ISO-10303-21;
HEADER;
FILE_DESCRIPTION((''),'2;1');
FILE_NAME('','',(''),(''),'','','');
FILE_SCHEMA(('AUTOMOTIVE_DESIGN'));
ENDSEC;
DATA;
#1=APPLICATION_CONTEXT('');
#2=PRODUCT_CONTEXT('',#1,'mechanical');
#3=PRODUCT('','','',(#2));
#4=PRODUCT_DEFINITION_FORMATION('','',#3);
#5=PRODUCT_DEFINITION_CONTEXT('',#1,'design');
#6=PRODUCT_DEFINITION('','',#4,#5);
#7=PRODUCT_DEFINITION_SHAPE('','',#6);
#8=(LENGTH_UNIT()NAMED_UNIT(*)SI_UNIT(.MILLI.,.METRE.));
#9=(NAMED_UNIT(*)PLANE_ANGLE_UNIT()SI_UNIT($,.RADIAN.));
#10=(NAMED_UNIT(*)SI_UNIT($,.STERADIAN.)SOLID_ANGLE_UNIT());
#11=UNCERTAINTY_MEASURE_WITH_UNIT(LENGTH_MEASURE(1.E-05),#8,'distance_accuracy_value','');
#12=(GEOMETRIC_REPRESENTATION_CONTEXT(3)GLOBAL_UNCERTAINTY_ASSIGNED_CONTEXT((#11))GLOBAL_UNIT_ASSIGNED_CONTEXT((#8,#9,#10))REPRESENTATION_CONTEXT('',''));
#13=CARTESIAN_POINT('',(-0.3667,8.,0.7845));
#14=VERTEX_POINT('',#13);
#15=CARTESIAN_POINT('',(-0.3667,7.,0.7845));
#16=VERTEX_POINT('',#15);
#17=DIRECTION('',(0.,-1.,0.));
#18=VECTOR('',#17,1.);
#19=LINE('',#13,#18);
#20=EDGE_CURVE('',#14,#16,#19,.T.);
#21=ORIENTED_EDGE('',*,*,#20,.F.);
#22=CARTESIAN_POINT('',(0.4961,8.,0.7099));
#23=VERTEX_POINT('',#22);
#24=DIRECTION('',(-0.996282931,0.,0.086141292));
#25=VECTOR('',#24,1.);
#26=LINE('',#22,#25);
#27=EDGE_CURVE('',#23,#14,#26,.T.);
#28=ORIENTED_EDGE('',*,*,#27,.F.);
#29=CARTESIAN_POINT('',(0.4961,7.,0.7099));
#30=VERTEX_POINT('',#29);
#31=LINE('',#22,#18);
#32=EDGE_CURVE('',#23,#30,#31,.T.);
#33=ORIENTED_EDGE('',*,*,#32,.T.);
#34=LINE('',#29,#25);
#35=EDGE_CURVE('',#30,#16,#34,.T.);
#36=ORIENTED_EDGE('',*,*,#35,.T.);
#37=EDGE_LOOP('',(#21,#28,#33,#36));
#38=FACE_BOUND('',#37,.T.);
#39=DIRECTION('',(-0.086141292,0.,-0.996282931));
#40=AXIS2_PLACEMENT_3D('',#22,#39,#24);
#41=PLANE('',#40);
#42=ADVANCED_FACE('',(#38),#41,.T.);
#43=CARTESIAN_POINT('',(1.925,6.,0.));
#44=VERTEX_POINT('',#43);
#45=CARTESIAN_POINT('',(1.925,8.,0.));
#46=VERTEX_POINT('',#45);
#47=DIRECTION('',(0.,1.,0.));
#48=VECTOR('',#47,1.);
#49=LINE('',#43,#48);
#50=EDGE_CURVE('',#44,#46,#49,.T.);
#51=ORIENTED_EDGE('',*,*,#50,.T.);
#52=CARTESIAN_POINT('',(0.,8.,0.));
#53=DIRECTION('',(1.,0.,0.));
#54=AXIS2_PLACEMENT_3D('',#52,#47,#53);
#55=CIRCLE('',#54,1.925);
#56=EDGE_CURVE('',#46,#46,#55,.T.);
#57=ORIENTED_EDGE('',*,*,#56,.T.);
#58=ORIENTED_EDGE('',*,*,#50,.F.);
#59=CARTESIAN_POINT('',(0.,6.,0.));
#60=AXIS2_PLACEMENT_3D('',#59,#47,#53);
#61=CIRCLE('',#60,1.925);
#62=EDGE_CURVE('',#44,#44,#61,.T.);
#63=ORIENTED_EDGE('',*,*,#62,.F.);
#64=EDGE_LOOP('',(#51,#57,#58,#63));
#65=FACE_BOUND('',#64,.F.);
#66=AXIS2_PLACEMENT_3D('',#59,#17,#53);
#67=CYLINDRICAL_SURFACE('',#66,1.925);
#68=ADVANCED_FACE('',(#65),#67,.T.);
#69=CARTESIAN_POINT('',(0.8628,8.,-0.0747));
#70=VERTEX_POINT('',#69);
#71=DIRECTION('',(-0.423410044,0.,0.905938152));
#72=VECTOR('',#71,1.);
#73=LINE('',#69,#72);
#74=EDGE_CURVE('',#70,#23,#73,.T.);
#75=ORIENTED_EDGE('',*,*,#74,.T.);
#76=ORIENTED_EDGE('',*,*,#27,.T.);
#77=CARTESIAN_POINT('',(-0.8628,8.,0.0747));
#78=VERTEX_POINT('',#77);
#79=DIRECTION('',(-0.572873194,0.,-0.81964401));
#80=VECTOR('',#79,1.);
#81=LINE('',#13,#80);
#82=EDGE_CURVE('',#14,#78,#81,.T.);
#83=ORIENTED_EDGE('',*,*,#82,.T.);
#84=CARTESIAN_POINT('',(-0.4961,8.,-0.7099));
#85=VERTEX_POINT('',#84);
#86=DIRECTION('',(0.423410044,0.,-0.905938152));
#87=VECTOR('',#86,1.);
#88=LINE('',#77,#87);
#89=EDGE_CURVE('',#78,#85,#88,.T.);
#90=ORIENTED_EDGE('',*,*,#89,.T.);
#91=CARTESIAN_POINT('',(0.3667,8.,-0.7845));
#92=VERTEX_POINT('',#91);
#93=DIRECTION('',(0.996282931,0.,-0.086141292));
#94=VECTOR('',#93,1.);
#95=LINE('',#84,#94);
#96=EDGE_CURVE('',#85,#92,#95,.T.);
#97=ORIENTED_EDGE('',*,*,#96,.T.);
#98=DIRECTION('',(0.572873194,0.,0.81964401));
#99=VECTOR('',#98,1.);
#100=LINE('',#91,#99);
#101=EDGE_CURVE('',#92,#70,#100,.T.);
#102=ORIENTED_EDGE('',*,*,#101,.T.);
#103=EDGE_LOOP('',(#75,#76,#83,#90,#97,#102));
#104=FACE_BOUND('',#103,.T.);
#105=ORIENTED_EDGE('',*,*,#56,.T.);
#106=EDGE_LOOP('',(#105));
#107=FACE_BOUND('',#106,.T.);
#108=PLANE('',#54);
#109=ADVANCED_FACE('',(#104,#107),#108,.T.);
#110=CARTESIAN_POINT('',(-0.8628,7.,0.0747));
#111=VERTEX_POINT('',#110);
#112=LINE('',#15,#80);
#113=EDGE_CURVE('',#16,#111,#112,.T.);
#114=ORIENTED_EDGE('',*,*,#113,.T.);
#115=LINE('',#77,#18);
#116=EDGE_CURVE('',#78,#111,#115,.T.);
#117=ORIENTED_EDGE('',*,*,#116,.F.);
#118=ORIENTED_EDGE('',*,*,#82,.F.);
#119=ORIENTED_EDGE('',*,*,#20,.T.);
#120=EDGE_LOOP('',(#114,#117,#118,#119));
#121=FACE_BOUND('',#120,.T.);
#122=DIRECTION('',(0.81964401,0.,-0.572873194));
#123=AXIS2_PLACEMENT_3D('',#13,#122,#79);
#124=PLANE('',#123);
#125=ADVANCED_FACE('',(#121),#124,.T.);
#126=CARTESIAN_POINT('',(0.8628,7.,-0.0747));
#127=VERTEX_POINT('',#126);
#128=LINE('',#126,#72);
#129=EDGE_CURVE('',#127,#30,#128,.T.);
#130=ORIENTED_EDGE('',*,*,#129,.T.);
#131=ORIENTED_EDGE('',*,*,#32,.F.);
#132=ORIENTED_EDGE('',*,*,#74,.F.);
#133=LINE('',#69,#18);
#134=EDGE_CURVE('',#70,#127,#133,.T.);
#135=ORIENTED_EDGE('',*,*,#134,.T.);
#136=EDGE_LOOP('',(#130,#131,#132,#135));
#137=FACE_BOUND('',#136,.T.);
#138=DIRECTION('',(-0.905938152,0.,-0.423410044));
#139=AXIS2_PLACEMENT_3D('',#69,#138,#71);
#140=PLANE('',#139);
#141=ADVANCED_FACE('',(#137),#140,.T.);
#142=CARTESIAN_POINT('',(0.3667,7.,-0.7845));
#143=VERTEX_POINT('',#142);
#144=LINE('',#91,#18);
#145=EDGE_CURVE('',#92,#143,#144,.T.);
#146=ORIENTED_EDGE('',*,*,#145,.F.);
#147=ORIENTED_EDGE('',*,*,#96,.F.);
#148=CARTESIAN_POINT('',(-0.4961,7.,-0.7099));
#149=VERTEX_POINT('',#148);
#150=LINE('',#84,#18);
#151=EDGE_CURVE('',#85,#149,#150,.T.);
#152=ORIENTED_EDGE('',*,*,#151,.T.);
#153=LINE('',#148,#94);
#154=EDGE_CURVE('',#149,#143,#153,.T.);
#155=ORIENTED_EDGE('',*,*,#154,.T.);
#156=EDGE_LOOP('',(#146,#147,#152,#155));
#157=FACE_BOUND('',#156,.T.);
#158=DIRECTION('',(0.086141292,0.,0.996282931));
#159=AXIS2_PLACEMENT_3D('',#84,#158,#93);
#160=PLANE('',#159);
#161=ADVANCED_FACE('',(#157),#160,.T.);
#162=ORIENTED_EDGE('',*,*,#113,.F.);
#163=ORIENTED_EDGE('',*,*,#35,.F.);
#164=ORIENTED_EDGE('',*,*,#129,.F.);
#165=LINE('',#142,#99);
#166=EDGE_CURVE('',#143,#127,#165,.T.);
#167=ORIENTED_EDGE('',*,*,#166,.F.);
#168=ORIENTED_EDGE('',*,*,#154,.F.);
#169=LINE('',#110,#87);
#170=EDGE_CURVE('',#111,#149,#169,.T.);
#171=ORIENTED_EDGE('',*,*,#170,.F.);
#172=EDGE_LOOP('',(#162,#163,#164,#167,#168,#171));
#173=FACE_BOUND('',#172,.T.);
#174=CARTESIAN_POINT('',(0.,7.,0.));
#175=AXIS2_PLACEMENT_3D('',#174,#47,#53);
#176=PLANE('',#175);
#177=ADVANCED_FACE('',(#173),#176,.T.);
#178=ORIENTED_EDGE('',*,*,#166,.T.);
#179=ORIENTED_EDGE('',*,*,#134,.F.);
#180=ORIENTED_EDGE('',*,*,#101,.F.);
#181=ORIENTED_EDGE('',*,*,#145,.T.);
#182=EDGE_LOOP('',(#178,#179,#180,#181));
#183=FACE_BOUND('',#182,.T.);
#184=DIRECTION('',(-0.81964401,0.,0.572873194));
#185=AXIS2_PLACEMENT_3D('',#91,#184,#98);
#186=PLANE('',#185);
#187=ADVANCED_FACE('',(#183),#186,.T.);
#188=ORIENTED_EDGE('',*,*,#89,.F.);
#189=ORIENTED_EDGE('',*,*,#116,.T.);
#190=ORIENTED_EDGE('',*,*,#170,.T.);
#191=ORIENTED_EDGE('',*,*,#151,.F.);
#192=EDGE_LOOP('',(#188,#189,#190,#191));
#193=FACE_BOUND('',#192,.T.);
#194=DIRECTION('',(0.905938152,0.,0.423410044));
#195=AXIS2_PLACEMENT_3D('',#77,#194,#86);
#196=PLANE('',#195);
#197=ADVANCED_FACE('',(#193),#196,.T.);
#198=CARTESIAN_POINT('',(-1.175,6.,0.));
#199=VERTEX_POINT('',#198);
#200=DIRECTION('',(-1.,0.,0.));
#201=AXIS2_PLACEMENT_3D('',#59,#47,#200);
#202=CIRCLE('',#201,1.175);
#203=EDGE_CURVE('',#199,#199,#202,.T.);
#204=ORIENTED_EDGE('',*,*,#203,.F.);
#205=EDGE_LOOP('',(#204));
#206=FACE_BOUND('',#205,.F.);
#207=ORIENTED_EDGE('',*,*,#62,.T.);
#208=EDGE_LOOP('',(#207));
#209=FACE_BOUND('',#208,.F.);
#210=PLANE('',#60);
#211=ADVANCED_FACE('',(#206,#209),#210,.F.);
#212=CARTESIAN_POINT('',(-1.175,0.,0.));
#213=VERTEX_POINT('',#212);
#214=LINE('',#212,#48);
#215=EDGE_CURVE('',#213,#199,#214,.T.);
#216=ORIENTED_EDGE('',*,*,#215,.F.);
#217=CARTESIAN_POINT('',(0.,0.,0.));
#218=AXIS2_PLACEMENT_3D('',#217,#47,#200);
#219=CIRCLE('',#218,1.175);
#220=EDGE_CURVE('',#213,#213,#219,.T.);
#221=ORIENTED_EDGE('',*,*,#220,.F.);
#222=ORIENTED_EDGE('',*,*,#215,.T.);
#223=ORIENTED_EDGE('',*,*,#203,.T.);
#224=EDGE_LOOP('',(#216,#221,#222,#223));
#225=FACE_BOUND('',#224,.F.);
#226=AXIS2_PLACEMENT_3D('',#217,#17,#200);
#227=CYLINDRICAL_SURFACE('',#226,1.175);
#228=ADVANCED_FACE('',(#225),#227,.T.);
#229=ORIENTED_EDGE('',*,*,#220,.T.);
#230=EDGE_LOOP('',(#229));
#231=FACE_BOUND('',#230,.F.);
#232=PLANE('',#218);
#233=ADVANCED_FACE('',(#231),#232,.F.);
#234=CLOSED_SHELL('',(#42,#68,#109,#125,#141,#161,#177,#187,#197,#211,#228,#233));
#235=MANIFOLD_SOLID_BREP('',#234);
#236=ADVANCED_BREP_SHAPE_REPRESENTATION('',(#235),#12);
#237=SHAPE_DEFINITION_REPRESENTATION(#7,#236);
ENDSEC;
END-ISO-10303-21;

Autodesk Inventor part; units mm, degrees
ref_plane "YZ Plane" through (0, 0, 0) normal (1, 0, 0) x (0, 1, 0)
ref_plane "XZ Plane" through (0, 0, 0) normal (0, 1, 0) x (-1, 0, 0)
ref_plane "XY Plane" through (0, 0, 0) normal (0, 0, 1) x (1, 0, 0)
sketch "Sketch1" plane through (0, 0, 0) normal (0, 1, 0) x (-1, 0, 0)
  circle A0 centre (0, 0) radius 1.175
  dimension "d0" = 2.35
extrude "Extrusion1" add sketch "Sketch1" along normal blind 6
sketch "Sketch2" plane through (0, 6, 0) normal (0, 1, 0) x (1, 0, 0)
  circle A0 centre (0, 0) radius 1.175 projected
  circle A1 centre (0, 0) radius 1.925
  dimension "d3" = 3.85
extrude "Extrusion2" add sketch "Sketch2" along normal blind 2 contours A0 | A1
sketch "Sketch3" plane through (0, 8, 0) normal (0, 1, 0) x (1, 0, 0)
  line L0 (-0.4961, 0.7099) -> (0.3667, 0.7845)
  line L1 (0.3667, 0.7845) -> (0.8628, 0.0747)
  line L2 (0.8628, 0.0747) -> (0.4961, -0.7099)
  line L3 (0.4961, -0.7099) -> (-0.3667, -0.7845)
  line L4 (-0.3667, -0.7845) -> (-0.8628, -0.0747)
  line L5 (-0.8628, -0.0747) -> (-0.4961, 0.7099)
  point P0 (0, 0)
  point P1 (0, 0)
  dimension "d6" = 1.5
extrude "Extrusion3" cut sketch "Sketch3" against normal blind 1
equation "\"d0\" = M2_A"
equation "\"d3\" = M2_B"
equation "\"M2_A\" = 2.35"
equation "\"M2_B\" = 3.85"
properties part number "M2_SCREW_8MM"
